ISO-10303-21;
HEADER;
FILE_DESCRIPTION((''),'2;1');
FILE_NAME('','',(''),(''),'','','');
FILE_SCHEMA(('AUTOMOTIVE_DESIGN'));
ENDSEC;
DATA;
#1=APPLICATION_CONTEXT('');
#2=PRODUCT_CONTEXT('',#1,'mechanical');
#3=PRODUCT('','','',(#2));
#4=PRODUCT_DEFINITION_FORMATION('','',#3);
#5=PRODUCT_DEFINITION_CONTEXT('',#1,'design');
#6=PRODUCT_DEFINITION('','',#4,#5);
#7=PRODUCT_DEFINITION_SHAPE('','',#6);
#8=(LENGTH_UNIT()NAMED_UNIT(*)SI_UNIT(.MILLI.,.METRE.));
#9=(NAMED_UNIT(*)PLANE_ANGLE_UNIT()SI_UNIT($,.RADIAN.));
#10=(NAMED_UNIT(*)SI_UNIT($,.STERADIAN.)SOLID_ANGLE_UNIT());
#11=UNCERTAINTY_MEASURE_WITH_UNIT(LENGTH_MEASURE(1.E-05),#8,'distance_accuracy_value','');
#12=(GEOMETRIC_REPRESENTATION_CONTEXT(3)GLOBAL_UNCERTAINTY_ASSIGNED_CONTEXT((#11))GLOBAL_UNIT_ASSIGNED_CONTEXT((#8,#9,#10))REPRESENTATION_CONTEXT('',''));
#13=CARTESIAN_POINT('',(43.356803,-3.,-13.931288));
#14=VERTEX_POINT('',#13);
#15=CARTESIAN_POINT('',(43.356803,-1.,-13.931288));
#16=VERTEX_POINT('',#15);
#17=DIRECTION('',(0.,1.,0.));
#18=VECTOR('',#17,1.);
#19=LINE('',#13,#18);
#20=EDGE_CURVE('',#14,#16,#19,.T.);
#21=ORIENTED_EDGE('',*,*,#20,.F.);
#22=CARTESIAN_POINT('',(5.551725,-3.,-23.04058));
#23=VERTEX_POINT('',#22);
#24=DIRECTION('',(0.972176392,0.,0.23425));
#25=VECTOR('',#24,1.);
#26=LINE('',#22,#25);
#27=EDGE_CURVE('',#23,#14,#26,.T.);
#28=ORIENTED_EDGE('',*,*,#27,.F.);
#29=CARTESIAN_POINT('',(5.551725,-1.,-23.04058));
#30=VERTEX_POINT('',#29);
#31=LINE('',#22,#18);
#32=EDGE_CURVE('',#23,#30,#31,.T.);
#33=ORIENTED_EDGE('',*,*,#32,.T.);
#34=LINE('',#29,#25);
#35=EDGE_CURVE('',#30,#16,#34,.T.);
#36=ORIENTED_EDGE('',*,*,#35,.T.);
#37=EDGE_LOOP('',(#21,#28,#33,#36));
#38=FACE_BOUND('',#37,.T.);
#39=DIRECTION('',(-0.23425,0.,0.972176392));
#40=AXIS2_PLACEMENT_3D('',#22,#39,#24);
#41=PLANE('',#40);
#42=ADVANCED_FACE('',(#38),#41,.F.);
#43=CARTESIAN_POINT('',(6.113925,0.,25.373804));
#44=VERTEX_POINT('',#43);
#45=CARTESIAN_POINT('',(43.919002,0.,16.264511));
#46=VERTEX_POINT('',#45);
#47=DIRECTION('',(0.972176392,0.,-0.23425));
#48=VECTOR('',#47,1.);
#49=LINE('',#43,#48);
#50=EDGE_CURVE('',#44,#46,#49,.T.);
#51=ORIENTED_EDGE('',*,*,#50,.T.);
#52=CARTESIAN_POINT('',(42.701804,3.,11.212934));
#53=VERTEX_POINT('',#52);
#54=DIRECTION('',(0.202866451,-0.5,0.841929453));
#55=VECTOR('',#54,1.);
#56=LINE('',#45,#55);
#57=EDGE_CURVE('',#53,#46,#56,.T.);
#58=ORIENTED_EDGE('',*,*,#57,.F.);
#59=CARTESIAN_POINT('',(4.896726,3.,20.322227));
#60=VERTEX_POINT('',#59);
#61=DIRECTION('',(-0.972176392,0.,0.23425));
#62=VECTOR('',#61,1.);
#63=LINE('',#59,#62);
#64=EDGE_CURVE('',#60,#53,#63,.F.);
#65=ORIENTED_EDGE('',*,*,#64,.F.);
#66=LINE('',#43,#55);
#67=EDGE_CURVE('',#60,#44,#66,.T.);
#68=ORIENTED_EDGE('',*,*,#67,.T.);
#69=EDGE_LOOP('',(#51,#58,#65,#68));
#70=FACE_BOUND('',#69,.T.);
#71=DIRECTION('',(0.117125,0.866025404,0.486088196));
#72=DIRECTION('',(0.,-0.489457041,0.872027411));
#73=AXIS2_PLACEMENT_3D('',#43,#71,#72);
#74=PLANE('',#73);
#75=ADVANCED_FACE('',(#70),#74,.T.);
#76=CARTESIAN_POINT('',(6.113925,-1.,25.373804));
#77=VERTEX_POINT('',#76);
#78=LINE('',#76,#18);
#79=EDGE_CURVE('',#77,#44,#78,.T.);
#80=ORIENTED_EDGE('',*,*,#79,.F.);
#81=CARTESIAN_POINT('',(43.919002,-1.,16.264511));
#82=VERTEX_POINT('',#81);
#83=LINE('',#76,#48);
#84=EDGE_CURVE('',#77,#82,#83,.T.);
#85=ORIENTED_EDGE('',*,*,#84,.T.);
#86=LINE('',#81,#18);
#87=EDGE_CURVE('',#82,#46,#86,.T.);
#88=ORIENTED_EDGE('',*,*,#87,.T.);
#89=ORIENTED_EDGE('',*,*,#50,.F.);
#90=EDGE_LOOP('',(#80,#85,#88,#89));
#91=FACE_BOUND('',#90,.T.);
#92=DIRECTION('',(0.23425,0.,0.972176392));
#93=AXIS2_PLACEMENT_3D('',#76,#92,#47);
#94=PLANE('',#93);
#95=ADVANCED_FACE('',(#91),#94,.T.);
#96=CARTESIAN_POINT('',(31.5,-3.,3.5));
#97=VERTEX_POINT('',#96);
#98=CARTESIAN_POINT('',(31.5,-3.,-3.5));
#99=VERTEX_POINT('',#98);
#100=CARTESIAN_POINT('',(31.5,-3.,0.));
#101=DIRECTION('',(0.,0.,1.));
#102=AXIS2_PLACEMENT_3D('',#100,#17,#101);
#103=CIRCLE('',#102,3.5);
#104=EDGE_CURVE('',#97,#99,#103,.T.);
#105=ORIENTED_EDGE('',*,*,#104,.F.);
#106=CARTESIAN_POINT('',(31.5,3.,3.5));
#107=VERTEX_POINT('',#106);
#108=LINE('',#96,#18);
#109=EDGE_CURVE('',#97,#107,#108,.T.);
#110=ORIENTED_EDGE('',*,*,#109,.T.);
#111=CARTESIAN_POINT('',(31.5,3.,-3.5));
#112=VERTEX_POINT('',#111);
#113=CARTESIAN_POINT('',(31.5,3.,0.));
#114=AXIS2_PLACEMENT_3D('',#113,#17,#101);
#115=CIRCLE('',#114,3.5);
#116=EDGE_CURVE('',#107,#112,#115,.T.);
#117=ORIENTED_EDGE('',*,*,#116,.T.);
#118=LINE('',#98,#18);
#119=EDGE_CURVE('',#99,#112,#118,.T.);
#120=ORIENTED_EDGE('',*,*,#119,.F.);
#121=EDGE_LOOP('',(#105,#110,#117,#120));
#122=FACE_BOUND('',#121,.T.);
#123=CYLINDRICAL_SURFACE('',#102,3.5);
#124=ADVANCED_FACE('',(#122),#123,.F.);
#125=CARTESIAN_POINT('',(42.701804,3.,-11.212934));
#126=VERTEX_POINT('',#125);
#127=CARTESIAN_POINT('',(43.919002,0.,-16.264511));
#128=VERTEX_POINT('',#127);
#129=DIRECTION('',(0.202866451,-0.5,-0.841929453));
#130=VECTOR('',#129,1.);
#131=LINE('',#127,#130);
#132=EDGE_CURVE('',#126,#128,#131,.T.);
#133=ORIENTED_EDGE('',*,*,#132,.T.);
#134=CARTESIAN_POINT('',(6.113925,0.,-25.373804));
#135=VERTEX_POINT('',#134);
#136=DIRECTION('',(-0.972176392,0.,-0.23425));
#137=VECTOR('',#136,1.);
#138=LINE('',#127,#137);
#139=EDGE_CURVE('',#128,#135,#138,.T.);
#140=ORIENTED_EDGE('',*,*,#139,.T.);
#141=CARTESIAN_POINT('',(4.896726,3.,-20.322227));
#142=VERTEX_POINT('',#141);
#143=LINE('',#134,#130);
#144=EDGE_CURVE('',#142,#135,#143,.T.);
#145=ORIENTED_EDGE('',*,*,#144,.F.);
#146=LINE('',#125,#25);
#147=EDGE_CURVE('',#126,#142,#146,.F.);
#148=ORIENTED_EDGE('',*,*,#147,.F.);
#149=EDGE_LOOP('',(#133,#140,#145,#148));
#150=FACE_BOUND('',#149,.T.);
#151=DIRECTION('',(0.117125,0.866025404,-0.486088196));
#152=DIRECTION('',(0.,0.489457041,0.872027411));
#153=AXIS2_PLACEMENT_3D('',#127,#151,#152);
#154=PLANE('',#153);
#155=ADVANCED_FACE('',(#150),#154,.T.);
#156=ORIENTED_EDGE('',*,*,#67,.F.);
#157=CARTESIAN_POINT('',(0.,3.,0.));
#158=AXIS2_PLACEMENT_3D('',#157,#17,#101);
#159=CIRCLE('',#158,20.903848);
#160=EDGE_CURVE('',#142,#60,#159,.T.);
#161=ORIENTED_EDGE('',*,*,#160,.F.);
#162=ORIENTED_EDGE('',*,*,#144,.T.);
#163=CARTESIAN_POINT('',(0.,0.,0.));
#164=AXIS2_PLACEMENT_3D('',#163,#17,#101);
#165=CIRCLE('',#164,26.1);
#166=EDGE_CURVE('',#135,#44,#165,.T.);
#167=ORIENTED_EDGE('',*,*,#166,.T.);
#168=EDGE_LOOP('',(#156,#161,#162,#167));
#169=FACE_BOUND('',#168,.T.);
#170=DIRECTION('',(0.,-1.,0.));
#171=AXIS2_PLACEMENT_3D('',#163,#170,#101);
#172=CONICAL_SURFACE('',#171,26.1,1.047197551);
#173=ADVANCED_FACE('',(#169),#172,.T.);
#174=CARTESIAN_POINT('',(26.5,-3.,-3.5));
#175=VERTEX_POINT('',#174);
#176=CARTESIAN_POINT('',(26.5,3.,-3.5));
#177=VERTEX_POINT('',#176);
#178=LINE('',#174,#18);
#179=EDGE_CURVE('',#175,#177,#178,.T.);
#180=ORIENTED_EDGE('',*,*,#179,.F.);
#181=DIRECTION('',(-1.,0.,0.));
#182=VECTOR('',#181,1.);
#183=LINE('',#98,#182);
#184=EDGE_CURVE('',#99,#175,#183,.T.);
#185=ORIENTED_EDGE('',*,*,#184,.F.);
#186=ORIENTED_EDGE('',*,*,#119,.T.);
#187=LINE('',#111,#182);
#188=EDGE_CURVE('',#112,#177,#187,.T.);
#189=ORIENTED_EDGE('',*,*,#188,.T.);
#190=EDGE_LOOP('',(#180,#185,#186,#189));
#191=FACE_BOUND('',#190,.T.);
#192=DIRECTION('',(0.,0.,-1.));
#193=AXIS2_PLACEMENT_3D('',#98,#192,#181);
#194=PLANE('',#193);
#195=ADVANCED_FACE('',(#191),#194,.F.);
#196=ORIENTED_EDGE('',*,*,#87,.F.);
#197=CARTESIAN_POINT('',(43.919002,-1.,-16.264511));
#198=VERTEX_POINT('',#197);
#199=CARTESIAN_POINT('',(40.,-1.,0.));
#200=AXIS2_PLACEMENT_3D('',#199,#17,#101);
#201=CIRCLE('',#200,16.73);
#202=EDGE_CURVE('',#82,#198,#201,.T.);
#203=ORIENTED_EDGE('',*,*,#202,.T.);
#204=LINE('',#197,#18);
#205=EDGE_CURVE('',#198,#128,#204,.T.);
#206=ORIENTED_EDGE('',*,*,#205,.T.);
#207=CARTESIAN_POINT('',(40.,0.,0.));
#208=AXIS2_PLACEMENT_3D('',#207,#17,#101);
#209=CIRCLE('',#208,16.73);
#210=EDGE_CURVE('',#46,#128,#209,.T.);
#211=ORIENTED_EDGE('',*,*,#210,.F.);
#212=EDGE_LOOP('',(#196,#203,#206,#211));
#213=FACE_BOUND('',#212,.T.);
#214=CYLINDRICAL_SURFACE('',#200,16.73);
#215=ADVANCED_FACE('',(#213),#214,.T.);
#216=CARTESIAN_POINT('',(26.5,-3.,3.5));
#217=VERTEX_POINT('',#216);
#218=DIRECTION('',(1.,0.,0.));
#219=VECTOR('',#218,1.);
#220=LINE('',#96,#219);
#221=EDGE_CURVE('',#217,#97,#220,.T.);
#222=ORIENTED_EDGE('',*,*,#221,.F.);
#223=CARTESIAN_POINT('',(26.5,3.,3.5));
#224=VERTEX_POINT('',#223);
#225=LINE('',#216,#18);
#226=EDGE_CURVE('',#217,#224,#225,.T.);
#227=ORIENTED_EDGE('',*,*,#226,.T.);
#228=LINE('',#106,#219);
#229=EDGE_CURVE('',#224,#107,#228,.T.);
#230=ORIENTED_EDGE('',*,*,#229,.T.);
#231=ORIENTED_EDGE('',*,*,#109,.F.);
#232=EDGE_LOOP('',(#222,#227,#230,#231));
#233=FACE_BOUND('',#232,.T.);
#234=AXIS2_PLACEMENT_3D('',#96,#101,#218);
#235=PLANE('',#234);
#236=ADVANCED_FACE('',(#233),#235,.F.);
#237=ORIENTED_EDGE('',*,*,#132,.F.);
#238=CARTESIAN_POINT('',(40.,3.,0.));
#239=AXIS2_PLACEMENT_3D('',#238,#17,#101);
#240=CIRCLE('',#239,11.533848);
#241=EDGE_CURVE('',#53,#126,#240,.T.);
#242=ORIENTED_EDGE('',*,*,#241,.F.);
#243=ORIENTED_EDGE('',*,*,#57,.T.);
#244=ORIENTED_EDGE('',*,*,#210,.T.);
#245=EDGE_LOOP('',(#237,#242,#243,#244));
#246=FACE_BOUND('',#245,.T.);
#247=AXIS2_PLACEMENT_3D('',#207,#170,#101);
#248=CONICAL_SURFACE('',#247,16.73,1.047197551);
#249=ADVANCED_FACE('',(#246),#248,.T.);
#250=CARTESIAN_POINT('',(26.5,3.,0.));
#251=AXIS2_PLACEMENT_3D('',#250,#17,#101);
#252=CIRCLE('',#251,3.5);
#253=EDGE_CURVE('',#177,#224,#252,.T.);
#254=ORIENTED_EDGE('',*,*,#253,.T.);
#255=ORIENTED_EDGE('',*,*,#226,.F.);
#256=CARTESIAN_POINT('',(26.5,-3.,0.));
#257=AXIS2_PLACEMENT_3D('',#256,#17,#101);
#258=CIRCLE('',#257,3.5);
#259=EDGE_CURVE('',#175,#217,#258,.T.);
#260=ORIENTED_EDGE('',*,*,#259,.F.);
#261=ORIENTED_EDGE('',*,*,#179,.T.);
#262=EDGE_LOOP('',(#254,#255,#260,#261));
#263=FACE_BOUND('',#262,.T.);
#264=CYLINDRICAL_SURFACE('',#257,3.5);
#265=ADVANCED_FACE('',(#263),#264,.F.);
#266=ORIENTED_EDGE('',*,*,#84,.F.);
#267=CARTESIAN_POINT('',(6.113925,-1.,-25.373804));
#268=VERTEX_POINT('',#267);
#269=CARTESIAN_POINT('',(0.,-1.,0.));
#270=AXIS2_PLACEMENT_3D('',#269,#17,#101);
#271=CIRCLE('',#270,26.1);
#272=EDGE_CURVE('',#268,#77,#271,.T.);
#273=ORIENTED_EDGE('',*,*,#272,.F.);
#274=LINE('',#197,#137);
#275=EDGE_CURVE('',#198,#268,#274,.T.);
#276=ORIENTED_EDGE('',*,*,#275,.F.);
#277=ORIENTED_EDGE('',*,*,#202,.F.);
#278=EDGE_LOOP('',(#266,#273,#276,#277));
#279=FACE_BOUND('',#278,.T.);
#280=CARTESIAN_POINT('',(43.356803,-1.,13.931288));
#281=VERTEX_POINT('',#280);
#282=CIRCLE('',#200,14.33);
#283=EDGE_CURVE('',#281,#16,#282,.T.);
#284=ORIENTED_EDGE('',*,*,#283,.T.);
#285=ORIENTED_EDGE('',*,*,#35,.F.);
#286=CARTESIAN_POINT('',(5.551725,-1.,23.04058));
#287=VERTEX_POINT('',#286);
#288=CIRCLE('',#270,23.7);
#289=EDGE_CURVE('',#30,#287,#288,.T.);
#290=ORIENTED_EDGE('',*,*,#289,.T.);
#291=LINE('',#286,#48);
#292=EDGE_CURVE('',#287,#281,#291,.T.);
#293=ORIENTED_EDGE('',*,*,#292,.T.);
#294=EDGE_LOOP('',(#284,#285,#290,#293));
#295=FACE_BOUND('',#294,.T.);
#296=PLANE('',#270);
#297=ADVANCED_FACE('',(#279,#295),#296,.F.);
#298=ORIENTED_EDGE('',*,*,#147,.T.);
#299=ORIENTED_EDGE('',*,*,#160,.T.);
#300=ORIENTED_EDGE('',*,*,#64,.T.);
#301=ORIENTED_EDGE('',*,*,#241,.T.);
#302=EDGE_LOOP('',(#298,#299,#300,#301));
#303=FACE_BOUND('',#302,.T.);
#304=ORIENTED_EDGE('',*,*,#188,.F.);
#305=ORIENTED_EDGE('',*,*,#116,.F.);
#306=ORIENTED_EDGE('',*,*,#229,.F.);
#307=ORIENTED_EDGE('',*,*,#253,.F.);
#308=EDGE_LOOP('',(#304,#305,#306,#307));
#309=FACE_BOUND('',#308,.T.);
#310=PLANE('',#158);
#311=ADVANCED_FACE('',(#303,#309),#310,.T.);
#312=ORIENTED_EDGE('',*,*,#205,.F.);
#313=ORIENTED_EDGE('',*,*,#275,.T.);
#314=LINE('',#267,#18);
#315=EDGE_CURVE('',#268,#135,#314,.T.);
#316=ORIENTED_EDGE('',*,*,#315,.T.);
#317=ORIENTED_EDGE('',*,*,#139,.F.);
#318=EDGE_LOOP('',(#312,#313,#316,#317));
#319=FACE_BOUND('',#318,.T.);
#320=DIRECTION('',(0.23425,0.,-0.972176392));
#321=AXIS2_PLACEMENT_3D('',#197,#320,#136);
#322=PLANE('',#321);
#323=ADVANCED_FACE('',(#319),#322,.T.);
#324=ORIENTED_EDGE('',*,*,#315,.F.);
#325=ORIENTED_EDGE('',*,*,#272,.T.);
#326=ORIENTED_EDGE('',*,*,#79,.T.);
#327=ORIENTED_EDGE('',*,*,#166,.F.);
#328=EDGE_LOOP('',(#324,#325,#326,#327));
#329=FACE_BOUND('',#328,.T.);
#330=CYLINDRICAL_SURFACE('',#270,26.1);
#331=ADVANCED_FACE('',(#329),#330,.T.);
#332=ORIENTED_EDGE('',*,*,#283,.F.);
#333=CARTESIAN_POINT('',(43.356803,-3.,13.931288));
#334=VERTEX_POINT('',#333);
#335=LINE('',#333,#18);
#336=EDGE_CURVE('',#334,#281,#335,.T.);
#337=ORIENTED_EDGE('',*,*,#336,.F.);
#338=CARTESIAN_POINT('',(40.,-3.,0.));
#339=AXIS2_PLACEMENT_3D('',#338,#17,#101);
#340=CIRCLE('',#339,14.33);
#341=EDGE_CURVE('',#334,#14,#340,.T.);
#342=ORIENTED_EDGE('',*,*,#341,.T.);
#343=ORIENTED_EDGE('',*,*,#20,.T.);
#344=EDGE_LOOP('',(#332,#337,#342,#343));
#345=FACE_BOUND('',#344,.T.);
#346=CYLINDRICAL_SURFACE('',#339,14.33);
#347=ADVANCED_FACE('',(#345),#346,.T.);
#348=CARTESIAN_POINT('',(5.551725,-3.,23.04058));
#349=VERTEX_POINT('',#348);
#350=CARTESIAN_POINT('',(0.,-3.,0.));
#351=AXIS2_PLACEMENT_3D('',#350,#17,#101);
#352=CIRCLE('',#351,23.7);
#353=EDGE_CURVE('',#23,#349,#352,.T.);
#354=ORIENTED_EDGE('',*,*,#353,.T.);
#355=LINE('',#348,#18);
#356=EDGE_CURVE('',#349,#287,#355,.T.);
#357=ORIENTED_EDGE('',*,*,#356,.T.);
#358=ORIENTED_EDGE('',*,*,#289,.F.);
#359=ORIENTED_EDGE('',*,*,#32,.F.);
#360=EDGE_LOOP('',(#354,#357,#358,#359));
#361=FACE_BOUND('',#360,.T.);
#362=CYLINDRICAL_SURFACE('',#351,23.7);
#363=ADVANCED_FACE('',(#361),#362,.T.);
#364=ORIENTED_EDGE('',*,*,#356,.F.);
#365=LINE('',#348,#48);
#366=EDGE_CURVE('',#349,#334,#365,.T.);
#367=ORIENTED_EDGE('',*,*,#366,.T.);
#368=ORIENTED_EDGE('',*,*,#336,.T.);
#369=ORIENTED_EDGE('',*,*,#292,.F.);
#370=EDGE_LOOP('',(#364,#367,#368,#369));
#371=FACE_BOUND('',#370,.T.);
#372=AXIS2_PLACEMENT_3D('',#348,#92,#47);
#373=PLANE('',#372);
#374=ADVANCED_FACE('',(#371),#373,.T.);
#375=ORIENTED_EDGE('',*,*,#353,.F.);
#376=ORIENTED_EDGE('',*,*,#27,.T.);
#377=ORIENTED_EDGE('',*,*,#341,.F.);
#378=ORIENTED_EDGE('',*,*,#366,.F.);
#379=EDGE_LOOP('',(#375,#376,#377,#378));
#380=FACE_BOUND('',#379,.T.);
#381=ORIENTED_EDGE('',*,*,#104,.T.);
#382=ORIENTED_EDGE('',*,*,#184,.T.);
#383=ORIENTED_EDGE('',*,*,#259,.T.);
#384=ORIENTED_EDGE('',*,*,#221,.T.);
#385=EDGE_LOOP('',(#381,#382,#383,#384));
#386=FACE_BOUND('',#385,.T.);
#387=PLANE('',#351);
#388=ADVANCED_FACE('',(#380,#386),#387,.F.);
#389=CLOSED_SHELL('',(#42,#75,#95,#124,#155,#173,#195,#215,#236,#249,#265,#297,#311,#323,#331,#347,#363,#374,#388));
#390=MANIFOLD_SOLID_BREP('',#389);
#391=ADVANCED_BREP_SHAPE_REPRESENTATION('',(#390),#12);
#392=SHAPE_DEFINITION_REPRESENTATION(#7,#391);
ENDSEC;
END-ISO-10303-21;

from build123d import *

# Parameters (mm, degrees)
BOSS_EXTRUDE1_DEPTH           = 3
BOSS_EXTRUDE1_TAPER           = 60
BOSS_EXTRUDE1_OTHER_WAY_DEPTH = 1
BOSS_EXTRUDE2_DEPTH           = 3
CUT_EXTRUDE1_DEPTH            = 7


with BuildPart() as part:
    # Sketch2 → Boss-Extrude1 (new body)
    with BuildSketch(Plane(origin=(0, 0, 0), x_dir=(1, 0, 0), z_dir=(0, 1, 0))):
        with BuildLine():
            Line((6.113925, -25.373803836), (43.9190025, -16.264511041))
            ThreePointArc((43.9190025, -16.264511041), (56.73, 0), (43.9190025, 16.264511041))
            Line((43.9190025, 16.264511041), (6.113925, 25.373803836))
            ThreePointArc((6.113925, 25.373803836), (-26.1, 0), (6.113925, -25.373803836))
        make_face()
    extrude(amount=BOSS_EXTRUDE1_DEPTH, taper=BOSS_EXTRUDE1_TAPER)

    # Sketch2 → Boss-Extrude1 other way (add)
    with BuildSketch(Plane(origin=(0, 0, 0), x_dir=(1, 0, 0), z_dir=(0, 1, 0))):
        with BuildLine():
            Line((6.113925, -25.373803836), (43.9190025, -16.264511041))
            ThreePointArc((43.9190025, -16.264511041), (56.73, 0), (43.9190025, 16.264511041))
            Line((43.9190025, 16.264511041), (6.113925, 25.373803836))
            ThreePointArc((6.113925, 25.373803836), (-26.1, 0), (6.113925, -25.373803836))
        make_face()
    extrude(amount=-BOSS_EXTRUDE1_OTHER_WAY_DEPTH)

    # Sketch1 → Boss-Extrude2 (add)
    with BuildSketch(Plane(origin=(0, 0, 0), x_dir=(1, 0, 0), z_dir=(0, 1, 0))):
        with BuildLine():
            Line((5.551725, 23.040580495), (43.3568025, 13.9312877))
            ThreePointArc((43.3568025, 13.9312877), (54.33, 0), (43.3568025, -13.9312877))
            Line((43.3568025, -13.9312877), (5.551725, -23.040580495))
            ThreePointArc((5.551725, -23.040580495), (-23.7, 0), (5.551725, 23.040580495))
        make_face()
    extrude(amount=-BOSS_EXTRUDE2_DEPTH)

    # Sketch3 → Cut-Extrude1 (cut, through all)
    with BuildSketch(Plane(origin=(0, 3, 0), x_dir=(1, 0, 0), z_dir=(0, 1, 0))):
        with BuildLine():
            Line((31.5, -3.5), (26.5, -3.5))
            ThreePointArc((26.5, -3.5), (23, 0), (26.5, 3.5))
            Line((26.5, 3.5), (31.5, 3.5))
            ThreePointArc((31.5, 3.5), (35, 0), (31.5, -3.5))
        make_face()
    extrude(amount=-CUT_EXTRUDE1_DEPTH, mode=Mode.SUBTRACT)


solid = part.part
